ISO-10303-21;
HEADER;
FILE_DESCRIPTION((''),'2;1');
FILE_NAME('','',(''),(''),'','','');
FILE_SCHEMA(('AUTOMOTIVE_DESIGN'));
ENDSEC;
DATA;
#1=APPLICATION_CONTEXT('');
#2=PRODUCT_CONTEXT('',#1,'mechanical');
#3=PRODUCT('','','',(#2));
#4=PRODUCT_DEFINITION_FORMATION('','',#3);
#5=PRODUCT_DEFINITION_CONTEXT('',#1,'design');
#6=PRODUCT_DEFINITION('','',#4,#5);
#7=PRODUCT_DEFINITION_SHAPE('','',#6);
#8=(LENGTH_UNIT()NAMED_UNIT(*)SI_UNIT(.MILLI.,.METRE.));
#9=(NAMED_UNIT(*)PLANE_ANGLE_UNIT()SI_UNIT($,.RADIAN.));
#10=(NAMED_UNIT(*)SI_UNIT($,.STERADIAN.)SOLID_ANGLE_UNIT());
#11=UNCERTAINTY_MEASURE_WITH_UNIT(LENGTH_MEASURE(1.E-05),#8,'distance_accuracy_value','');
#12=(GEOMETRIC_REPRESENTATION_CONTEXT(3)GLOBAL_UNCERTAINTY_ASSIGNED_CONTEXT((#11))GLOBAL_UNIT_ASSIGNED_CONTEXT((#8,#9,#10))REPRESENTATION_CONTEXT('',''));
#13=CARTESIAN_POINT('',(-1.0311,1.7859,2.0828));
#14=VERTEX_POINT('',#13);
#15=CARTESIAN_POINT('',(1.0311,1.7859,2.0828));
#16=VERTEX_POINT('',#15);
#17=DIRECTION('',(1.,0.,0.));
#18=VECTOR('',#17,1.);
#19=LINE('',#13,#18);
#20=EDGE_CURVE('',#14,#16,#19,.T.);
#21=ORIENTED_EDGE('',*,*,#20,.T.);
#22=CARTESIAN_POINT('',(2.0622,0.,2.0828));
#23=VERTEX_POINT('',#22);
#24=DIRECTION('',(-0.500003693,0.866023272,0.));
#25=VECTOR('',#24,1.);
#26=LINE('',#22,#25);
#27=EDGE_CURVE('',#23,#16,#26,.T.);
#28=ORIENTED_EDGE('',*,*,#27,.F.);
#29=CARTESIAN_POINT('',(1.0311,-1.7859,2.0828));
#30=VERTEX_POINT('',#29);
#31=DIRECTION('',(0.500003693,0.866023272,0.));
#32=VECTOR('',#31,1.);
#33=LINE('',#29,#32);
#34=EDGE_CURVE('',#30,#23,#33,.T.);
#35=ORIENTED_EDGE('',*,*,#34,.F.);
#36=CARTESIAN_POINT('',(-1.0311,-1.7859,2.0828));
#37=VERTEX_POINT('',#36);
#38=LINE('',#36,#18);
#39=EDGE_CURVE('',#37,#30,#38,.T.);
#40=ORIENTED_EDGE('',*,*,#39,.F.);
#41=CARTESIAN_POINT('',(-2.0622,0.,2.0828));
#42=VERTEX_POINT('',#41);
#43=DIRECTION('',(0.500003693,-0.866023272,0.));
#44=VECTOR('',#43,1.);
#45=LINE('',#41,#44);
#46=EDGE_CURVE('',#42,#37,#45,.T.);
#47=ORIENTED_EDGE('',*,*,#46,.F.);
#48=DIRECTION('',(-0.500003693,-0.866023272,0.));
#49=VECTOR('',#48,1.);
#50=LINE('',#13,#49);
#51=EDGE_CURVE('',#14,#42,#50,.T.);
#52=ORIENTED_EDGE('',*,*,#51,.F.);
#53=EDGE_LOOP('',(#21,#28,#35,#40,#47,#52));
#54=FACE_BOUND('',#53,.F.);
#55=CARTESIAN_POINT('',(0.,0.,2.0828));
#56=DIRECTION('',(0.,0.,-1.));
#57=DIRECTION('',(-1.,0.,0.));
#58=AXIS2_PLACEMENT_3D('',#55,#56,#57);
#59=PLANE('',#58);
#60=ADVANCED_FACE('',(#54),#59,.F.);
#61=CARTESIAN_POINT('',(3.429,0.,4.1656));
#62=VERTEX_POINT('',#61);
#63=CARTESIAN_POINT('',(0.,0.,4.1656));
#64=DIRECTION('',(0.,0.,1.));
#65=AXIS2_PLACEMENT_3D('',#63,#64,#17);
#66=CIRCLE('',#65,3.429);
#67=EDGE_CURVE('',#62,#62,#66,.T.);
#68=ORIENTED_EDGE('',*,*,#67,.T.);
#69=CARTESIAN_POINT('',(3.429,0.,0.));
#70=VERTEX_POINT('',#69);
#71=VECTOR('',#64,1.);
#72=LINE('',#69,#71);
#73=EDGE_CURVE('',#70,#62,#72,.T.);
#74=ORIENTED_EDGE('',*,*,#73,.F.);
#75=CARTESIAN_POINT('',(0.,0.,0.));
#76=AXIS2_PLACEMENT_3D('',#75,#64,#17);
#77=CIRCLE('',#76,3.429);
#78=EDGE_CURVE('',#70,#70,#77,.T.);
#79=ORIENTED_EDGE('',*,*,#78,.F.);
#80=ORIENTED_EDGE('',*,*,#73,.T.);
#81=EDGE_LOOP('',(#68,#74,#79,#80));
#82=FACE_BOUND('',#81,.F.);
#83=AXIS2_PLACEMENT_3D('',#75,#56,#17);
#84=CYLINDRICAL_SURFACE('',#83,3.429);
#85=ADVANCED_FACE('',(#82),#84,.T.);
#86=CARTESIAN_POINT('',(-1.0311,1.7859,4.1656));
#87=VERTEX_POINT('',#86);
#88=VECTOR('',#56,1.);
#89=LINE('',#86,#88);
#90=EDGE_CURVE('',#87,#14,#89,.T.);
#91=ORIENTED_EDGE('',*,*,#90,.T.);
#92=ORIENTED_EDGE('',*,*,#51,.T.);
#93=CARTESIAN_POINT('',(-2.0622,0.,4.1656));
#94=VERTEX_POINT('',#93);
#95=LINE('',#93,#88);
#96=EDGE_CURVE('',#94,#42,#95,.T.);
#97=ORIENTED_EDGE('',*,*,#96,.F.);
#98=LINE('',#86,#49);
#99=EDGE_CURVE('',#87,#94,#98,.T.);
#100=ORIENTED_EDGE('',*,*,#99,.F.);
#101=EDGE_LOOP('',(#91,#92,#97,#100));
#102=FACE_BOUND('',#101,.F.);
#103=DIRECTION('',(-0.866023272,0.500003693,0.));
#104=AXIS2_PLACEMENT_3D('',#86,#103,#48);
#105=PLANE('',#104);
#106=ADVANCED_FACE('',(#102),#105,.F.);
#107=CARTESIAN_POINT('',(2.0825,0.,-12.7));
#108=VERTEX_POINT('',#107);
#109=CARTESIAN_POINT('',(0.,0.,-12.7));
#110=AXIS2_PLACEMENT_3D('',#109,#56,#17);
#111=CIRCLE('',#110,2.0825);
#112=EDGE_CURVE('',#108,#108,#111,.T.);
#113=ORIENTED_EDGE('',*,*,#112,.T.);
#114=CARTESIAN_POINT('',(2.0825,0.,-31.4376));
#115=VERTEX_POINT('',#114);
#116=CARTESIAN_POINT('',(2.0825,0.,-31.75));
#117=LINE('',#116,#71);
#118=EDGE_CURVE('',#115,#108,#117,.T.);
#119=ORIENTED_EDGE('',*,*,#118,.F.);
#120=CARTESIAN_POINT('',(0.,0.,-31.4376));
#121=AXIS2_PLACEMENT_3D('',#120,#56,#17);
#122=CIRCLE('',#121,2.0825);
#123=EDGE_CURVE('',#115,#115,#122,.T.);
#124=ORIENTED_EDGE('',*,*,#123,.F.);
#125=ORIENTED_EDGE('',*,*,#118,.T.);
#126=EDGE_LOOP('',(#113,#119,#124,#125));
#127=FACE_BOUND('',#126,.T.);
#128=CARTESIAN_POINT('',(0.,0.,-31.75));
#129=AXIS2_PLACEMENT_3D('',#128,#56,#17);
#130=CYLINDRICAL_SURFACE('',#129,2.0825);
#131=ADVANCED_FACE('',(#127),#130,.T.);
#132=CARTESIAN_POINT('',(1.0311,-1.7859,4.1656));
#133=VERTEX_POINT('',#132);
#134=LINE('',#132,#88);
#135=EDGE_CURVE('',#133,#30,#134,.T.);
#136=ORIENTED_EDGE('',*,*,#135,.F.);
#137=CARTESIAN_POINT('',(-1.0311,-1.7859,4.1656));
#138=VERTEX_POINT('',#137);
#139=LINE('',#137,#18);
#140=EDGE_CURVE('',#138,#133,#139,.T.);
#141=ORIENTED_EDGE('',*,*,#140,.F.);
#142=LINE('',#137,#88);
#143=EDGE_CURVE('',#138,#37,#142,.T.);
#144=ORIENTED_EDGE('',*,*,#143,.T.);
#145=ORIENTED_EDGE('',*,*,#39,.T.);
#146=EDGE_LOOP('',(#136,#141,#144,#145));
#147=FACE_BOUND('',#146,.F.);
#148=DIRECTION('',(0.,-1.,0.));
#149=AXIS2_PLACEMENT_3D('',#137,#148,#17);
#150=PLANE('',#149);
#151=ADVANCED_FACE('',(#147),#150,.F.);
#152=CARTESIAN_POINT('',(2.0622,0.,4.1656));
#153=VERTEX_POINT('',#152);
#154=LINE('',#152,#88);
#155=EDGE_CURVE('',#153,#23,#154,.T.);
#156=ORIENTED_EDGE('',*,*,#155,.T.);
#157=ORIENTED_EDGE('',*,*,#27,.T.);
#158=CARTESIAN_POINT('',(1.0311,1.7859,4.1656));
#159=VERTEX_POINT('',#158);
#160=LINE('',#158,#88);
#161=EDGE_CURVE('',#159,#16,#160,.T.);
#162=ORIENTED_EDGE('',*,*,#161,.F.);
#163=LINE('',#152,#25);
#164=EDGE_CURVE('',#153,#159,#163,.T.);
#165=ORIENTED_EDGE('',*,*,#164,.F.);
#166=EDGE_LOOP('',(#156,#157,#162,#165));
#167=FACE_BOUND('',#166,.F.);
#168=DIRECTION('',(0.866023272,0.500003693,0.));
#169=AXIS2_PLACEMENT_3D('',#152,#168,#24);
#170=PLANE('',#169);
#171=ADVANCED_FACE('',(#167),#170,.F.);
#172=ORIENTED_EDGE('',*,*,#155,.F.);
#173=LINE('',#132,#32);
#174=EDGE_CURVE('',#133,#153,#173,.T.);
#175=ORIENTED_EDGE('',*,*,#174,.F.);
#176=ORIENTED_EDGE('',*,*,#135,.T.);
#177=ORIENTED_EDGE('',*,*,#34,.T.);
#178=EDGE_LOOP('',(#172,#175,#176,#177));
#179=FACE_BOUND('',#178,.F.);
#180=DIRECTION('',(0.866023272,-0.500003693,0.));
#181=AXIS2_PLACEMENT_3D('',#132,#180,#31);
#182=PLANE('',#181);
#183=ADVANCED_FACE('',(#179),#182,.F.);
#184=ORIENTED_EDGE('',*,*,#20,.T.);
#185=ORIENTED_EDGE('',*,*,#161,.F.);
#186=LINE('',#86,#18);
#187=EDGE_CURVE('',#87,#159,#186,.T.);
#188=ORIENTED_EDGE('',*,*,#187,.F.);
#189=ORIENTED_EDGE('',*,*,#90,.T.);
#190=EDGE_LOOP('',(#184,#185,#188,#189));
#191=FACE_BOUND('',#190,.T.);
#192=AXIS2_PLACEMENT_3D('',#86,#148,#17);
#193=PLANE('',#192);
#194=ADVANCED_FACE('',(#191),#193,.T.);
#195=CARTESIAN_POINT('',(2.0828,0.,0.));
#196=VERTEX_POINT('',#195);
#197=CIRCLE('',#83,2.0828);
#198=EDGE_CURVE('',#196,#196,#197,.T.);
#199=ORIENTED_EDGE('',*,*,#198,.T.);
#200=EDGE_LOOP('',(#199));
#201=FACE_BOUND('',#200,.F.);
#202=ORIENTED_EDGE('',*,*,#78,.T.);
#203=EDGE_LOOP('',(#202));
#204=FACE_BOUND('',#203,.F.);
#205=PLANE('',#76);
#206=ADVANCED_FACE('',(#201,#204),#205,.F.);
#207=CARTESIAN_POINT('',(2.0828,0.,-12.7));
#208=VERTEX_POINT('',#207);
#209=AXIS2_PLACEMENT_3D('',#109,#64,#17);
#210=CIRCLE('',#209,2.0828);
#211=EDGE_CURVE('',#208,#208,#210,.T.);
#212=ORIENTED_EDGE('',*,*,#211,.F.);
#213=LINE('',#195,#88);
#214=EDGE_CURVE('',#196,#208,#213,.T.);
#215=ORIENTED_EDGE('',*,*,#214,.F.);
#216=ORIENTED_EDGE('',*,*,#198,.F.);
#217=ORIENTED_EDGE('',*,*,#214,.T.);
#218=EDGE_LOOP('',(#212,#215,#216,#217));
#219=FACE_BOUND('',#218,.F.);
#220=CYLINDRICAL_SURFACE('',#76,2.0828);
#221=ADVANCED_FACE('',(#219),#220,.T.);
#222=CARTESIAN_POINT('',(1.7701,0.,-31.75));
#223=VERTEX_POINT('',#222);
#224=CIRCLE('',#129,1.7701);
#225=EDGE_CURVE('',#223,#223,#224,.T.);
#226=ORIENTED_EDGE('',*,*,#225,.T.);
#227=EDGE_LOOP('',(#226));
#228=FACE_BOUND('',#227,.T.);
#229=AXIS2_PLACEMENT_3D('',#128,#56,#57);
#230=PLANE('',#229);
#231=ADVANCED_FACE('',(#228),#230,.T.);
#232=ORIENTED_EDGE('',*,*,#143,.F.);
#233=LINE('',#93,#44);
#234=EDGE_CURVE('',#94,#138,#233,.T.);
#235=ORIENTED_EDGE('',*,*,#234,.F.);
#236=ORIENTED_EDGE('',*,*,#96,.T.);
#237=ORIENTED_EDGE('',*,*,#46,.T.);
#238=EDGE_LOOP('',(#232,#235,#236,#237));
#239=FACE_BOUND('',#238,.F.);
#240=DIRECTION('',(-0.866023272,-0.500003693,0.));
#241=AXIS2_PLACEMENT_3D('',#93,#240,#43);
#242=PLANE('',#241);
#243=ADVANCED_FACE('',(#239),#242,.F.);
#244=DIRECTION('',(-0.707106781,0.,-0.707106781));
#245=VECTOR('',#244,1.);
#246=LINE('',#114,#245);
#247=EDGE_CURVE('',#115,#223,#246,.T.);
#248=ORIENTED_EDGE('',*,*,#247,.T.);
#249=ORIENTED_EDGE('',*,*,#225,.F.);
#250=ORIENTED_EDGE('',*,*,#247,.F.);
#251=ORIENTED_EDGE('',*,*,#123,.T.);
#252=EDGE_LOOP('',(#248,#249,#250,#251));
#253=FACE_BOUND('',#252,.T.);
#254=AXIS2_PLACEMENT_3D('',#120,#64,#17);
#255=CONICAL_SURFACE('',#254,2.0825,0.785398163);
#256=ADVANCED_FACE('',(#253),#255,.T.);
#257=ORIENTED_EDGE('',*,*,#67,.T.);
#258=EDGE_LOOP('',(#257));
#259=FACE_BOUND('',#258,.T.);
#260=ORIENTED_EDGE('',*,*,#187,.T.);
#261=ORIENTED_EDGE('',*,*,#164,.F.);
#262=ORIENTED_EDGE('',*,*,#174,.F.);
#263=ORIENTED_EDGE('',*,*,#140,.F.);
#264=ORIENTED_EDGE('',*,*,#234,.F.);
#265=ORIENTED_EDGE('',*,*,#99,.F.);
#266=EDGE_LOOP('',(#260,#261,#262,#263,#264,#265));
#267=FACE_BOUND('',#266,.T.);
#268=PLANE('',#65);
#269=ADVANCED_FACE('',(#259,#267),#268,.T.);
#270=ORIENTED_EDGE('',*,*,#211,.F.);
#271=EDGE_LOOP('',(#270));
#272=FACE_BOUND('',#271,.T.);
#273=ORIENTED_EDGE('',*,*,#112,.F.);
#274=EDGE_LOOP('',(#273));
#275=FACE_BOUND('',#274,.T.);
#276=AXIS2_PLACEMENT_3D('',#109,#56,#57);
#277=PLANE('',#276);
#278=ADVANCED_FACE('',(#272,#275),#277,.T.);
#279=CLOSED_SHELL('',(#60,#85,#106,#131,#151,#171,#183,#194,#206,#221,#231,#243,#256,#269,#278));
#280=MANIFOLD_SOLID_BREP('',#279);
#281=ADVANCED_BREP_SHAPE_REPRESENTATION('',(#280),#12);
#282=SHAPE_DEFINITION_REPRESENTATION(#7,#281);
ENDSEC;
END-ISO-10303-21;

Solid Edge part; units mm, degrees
sketch "Sketch1" plane through (0, 0, 0) normal (0, 0, 1) x (1, 0, 0)
  circle A0 centre (0, 0) radius 3.429
  dimension "D1" = 6.858
extrude "Protrusion1" add sketch "Sketch1" along normal blind 4.1656
sketch "Sketch2" plane through (0, 0, 0) normal (0, 0, -1) x (1, 0, 0)
  circle A0 centre (0, 0) radius 2.0828
extrude "Protrusion2" add sketch "Sketch2" along normal blind 31.75
sketch "Sketch3" plane through (0, 0, -31.75) normal (0, 0, -1) x (1, 0, 0)
  circle A0 centre (0, 0) radius 2.0825
extrude "Cutout1" cut sketch "Sketch3" against normal blind 19.05 flip side to cut
chamfer "Chamfer_1" distance 0.3124 angle 45 1 edges at (-2.0825, 0, -31.75)
sketch "Sketch4" plane through (0, 0, 4.1656) normal (0, 0, 1) x (1, 0, 0)
  line L0 (-1.0311, 1.7859) -> (1.0311, 1.7859)
  line L1 (2.0622, 0) -> (1.0311, 1.7859)
  line L2 (1.0311, -1.7859) -> (2.0622, 0)
  line L3 (-1.0311, -1.7859) -> (1.0311, -1.7859)
  line L4 (-2.0622, 0) -> (-1.0311, -1.7859)
  line L5 (-1.0311, 1.7859) -> (-2.0622, 0)
  dimension "D1" = 3.5719
extrude "Cutout2" cut sketch "Sketch4" against normal blind 2.0828
properties part number "185677"
